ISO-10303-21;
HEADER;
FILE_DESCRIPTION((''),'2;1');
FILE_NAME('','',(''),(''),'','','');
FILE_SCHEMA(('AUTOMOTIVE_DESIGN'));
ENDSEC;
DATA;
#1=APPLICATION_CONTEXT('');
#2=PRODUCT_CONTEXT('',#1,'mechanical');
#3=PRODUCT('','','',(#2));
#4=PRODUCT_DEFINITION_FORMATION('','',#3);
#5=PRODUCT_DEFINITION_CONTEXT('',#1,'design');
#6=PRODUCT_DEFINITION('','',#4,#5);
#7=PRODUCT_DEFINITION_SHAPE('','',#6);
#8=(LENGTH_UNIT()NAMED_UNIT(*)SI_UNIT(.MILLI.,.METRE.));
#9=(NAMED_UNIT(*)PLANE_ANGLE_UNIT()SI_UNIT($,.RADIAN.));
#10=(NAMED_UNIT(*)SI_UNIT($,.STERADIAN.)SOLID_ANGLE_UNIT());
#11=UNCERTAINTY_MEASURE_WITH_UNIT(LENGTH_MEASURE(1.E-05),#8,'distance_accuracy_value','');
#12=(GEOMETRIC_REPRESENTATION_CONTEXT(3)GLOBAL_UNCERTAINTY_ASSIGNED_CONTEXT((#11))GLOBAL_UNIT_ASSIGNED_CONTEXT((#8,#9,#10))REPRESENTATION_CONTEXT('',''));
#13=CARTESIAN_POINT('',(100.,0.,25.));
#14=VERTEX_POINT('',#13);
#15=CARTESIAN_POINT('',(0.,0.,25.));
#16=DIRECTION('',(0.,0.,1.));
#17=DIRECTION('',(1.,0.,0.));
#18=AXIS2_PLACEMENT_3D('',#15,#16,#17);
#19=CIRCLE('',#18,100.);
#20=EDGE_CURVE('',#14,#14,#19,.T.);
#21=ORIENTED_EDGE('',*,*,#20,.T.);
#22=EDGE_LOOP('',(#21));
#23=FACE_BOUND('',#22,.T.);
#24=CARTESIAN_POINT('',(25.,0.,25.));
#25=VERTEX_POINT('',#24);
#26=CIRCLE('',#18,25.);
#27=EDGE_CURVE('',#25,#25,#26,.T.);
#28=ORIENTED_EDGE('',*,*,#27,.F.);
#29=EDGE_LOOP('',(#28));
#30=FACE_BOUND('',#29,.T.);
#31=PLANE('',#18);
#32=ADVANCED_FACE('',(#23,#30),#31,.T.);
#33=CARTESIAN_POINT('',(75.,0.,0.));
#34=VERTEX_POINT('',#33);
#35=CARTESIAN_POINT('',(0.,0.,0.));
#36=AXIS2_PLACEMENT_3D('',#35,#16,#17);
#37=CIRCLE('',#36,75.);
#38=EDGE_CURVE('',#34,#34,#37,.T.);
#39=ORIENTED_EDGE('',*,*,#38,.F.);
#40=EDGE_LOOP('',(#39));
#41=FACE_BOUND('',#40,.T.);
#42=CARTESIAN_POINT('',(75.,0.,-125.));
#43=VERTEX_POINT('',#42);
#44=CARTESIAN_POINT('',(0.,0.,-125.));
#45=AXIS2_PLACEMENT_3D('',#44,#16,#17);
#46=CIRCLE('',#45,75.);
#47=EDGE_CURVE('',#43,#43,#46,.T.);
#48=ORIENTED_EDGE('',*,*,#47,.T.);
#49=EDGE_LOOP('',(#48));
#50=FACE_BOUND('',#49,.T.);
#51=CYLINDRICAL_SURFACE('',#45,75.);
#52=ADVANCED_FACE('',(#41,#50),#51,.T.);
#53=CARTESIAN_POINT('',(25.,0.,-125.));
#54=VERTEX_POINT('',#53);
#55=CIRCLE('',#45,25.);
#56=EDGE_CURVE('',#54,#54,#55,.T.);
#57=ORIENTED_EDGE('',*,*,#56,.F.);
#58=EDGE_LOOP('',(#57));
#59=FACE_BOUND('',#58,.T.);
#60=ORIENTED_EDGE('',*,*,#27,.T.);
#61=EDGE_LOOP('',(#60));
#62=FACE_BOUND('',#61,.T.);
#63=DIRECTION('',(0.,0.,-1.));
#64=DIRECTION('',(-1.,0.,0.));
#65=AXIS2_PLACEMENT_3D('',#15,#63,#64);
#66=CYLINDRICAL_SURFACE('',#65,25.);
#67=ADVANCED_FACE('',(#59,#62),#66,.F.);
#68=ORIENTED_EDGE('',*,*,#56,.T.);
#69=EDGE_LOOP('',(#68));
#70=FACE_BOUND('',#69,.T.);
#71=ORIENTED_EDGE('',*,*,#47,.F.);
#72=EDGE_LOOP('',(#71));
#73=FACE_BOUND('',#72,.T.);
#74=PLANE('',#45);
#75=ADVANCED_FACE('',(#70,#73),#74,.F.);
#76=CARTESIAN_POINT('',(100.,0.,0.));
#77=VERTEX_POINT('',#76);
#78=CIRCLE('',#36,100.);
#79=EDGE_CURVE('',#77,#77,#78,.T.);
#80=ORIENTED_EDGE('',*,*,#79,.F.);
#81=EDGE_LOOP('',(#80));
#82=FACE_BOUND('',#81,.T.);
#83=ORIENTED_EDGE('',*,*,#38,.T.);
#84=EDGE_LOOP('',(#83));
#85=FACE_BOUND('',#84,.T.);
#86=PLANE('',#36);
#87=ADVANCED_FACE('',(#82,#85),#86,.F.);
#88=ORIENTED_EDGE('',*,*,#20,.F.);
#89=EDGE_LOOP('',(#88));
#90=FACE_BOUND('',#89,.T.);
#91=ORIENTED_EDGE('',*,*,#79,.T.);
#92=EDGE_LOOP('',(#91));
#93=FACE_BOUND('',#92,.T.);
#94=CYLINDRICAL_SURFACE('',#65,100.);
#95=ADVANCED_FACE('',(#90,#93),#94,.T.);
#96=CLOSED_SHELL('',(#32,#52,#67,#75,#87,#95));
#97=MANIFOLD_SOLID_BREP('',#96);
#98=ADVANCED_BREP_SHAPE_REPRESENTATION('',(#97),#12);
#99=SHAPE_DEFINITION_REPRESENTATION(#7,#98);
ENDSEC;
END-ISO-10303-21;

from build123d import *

# Parameters (mm, degrees)
SKETCH1_R           = 100
SKETCH1_R_2         = 25
BOSS_EXTRUDE2_DEPTH = 25
BOSS_EXTRUDE3_START = -125
SKETCH1_4_R         = 75
SKETCH1_4_R_2       = 25
BOSS_EXTRUDE3_DEPTH = 125


with BuildPart() as part:
    # Sketch1 → Boss-Extrude2 (new body)
    with BuildSketch(Plane.XY):
        Circle(SKETCH1_R)
        Circle(SKETCH1_R_2, mode=Mode.SUBTRACT)
    extrude(amount=BOSS_EXTRUDE2_DEPTH)

    # Sketch1<4> → Boss-Extrude3 (add)
    with BuildSketch(Plane.XY.offset(BOSS_EXTRUDE3_START)):
        Circle(SKETCH1_4_R)
        Circle(SKETCH1_4_R_2, mode=Mode.SUBTRACT)
    extrude(amount=BOSS_EXTRUDE3_DEPTH)


solid = part.part
